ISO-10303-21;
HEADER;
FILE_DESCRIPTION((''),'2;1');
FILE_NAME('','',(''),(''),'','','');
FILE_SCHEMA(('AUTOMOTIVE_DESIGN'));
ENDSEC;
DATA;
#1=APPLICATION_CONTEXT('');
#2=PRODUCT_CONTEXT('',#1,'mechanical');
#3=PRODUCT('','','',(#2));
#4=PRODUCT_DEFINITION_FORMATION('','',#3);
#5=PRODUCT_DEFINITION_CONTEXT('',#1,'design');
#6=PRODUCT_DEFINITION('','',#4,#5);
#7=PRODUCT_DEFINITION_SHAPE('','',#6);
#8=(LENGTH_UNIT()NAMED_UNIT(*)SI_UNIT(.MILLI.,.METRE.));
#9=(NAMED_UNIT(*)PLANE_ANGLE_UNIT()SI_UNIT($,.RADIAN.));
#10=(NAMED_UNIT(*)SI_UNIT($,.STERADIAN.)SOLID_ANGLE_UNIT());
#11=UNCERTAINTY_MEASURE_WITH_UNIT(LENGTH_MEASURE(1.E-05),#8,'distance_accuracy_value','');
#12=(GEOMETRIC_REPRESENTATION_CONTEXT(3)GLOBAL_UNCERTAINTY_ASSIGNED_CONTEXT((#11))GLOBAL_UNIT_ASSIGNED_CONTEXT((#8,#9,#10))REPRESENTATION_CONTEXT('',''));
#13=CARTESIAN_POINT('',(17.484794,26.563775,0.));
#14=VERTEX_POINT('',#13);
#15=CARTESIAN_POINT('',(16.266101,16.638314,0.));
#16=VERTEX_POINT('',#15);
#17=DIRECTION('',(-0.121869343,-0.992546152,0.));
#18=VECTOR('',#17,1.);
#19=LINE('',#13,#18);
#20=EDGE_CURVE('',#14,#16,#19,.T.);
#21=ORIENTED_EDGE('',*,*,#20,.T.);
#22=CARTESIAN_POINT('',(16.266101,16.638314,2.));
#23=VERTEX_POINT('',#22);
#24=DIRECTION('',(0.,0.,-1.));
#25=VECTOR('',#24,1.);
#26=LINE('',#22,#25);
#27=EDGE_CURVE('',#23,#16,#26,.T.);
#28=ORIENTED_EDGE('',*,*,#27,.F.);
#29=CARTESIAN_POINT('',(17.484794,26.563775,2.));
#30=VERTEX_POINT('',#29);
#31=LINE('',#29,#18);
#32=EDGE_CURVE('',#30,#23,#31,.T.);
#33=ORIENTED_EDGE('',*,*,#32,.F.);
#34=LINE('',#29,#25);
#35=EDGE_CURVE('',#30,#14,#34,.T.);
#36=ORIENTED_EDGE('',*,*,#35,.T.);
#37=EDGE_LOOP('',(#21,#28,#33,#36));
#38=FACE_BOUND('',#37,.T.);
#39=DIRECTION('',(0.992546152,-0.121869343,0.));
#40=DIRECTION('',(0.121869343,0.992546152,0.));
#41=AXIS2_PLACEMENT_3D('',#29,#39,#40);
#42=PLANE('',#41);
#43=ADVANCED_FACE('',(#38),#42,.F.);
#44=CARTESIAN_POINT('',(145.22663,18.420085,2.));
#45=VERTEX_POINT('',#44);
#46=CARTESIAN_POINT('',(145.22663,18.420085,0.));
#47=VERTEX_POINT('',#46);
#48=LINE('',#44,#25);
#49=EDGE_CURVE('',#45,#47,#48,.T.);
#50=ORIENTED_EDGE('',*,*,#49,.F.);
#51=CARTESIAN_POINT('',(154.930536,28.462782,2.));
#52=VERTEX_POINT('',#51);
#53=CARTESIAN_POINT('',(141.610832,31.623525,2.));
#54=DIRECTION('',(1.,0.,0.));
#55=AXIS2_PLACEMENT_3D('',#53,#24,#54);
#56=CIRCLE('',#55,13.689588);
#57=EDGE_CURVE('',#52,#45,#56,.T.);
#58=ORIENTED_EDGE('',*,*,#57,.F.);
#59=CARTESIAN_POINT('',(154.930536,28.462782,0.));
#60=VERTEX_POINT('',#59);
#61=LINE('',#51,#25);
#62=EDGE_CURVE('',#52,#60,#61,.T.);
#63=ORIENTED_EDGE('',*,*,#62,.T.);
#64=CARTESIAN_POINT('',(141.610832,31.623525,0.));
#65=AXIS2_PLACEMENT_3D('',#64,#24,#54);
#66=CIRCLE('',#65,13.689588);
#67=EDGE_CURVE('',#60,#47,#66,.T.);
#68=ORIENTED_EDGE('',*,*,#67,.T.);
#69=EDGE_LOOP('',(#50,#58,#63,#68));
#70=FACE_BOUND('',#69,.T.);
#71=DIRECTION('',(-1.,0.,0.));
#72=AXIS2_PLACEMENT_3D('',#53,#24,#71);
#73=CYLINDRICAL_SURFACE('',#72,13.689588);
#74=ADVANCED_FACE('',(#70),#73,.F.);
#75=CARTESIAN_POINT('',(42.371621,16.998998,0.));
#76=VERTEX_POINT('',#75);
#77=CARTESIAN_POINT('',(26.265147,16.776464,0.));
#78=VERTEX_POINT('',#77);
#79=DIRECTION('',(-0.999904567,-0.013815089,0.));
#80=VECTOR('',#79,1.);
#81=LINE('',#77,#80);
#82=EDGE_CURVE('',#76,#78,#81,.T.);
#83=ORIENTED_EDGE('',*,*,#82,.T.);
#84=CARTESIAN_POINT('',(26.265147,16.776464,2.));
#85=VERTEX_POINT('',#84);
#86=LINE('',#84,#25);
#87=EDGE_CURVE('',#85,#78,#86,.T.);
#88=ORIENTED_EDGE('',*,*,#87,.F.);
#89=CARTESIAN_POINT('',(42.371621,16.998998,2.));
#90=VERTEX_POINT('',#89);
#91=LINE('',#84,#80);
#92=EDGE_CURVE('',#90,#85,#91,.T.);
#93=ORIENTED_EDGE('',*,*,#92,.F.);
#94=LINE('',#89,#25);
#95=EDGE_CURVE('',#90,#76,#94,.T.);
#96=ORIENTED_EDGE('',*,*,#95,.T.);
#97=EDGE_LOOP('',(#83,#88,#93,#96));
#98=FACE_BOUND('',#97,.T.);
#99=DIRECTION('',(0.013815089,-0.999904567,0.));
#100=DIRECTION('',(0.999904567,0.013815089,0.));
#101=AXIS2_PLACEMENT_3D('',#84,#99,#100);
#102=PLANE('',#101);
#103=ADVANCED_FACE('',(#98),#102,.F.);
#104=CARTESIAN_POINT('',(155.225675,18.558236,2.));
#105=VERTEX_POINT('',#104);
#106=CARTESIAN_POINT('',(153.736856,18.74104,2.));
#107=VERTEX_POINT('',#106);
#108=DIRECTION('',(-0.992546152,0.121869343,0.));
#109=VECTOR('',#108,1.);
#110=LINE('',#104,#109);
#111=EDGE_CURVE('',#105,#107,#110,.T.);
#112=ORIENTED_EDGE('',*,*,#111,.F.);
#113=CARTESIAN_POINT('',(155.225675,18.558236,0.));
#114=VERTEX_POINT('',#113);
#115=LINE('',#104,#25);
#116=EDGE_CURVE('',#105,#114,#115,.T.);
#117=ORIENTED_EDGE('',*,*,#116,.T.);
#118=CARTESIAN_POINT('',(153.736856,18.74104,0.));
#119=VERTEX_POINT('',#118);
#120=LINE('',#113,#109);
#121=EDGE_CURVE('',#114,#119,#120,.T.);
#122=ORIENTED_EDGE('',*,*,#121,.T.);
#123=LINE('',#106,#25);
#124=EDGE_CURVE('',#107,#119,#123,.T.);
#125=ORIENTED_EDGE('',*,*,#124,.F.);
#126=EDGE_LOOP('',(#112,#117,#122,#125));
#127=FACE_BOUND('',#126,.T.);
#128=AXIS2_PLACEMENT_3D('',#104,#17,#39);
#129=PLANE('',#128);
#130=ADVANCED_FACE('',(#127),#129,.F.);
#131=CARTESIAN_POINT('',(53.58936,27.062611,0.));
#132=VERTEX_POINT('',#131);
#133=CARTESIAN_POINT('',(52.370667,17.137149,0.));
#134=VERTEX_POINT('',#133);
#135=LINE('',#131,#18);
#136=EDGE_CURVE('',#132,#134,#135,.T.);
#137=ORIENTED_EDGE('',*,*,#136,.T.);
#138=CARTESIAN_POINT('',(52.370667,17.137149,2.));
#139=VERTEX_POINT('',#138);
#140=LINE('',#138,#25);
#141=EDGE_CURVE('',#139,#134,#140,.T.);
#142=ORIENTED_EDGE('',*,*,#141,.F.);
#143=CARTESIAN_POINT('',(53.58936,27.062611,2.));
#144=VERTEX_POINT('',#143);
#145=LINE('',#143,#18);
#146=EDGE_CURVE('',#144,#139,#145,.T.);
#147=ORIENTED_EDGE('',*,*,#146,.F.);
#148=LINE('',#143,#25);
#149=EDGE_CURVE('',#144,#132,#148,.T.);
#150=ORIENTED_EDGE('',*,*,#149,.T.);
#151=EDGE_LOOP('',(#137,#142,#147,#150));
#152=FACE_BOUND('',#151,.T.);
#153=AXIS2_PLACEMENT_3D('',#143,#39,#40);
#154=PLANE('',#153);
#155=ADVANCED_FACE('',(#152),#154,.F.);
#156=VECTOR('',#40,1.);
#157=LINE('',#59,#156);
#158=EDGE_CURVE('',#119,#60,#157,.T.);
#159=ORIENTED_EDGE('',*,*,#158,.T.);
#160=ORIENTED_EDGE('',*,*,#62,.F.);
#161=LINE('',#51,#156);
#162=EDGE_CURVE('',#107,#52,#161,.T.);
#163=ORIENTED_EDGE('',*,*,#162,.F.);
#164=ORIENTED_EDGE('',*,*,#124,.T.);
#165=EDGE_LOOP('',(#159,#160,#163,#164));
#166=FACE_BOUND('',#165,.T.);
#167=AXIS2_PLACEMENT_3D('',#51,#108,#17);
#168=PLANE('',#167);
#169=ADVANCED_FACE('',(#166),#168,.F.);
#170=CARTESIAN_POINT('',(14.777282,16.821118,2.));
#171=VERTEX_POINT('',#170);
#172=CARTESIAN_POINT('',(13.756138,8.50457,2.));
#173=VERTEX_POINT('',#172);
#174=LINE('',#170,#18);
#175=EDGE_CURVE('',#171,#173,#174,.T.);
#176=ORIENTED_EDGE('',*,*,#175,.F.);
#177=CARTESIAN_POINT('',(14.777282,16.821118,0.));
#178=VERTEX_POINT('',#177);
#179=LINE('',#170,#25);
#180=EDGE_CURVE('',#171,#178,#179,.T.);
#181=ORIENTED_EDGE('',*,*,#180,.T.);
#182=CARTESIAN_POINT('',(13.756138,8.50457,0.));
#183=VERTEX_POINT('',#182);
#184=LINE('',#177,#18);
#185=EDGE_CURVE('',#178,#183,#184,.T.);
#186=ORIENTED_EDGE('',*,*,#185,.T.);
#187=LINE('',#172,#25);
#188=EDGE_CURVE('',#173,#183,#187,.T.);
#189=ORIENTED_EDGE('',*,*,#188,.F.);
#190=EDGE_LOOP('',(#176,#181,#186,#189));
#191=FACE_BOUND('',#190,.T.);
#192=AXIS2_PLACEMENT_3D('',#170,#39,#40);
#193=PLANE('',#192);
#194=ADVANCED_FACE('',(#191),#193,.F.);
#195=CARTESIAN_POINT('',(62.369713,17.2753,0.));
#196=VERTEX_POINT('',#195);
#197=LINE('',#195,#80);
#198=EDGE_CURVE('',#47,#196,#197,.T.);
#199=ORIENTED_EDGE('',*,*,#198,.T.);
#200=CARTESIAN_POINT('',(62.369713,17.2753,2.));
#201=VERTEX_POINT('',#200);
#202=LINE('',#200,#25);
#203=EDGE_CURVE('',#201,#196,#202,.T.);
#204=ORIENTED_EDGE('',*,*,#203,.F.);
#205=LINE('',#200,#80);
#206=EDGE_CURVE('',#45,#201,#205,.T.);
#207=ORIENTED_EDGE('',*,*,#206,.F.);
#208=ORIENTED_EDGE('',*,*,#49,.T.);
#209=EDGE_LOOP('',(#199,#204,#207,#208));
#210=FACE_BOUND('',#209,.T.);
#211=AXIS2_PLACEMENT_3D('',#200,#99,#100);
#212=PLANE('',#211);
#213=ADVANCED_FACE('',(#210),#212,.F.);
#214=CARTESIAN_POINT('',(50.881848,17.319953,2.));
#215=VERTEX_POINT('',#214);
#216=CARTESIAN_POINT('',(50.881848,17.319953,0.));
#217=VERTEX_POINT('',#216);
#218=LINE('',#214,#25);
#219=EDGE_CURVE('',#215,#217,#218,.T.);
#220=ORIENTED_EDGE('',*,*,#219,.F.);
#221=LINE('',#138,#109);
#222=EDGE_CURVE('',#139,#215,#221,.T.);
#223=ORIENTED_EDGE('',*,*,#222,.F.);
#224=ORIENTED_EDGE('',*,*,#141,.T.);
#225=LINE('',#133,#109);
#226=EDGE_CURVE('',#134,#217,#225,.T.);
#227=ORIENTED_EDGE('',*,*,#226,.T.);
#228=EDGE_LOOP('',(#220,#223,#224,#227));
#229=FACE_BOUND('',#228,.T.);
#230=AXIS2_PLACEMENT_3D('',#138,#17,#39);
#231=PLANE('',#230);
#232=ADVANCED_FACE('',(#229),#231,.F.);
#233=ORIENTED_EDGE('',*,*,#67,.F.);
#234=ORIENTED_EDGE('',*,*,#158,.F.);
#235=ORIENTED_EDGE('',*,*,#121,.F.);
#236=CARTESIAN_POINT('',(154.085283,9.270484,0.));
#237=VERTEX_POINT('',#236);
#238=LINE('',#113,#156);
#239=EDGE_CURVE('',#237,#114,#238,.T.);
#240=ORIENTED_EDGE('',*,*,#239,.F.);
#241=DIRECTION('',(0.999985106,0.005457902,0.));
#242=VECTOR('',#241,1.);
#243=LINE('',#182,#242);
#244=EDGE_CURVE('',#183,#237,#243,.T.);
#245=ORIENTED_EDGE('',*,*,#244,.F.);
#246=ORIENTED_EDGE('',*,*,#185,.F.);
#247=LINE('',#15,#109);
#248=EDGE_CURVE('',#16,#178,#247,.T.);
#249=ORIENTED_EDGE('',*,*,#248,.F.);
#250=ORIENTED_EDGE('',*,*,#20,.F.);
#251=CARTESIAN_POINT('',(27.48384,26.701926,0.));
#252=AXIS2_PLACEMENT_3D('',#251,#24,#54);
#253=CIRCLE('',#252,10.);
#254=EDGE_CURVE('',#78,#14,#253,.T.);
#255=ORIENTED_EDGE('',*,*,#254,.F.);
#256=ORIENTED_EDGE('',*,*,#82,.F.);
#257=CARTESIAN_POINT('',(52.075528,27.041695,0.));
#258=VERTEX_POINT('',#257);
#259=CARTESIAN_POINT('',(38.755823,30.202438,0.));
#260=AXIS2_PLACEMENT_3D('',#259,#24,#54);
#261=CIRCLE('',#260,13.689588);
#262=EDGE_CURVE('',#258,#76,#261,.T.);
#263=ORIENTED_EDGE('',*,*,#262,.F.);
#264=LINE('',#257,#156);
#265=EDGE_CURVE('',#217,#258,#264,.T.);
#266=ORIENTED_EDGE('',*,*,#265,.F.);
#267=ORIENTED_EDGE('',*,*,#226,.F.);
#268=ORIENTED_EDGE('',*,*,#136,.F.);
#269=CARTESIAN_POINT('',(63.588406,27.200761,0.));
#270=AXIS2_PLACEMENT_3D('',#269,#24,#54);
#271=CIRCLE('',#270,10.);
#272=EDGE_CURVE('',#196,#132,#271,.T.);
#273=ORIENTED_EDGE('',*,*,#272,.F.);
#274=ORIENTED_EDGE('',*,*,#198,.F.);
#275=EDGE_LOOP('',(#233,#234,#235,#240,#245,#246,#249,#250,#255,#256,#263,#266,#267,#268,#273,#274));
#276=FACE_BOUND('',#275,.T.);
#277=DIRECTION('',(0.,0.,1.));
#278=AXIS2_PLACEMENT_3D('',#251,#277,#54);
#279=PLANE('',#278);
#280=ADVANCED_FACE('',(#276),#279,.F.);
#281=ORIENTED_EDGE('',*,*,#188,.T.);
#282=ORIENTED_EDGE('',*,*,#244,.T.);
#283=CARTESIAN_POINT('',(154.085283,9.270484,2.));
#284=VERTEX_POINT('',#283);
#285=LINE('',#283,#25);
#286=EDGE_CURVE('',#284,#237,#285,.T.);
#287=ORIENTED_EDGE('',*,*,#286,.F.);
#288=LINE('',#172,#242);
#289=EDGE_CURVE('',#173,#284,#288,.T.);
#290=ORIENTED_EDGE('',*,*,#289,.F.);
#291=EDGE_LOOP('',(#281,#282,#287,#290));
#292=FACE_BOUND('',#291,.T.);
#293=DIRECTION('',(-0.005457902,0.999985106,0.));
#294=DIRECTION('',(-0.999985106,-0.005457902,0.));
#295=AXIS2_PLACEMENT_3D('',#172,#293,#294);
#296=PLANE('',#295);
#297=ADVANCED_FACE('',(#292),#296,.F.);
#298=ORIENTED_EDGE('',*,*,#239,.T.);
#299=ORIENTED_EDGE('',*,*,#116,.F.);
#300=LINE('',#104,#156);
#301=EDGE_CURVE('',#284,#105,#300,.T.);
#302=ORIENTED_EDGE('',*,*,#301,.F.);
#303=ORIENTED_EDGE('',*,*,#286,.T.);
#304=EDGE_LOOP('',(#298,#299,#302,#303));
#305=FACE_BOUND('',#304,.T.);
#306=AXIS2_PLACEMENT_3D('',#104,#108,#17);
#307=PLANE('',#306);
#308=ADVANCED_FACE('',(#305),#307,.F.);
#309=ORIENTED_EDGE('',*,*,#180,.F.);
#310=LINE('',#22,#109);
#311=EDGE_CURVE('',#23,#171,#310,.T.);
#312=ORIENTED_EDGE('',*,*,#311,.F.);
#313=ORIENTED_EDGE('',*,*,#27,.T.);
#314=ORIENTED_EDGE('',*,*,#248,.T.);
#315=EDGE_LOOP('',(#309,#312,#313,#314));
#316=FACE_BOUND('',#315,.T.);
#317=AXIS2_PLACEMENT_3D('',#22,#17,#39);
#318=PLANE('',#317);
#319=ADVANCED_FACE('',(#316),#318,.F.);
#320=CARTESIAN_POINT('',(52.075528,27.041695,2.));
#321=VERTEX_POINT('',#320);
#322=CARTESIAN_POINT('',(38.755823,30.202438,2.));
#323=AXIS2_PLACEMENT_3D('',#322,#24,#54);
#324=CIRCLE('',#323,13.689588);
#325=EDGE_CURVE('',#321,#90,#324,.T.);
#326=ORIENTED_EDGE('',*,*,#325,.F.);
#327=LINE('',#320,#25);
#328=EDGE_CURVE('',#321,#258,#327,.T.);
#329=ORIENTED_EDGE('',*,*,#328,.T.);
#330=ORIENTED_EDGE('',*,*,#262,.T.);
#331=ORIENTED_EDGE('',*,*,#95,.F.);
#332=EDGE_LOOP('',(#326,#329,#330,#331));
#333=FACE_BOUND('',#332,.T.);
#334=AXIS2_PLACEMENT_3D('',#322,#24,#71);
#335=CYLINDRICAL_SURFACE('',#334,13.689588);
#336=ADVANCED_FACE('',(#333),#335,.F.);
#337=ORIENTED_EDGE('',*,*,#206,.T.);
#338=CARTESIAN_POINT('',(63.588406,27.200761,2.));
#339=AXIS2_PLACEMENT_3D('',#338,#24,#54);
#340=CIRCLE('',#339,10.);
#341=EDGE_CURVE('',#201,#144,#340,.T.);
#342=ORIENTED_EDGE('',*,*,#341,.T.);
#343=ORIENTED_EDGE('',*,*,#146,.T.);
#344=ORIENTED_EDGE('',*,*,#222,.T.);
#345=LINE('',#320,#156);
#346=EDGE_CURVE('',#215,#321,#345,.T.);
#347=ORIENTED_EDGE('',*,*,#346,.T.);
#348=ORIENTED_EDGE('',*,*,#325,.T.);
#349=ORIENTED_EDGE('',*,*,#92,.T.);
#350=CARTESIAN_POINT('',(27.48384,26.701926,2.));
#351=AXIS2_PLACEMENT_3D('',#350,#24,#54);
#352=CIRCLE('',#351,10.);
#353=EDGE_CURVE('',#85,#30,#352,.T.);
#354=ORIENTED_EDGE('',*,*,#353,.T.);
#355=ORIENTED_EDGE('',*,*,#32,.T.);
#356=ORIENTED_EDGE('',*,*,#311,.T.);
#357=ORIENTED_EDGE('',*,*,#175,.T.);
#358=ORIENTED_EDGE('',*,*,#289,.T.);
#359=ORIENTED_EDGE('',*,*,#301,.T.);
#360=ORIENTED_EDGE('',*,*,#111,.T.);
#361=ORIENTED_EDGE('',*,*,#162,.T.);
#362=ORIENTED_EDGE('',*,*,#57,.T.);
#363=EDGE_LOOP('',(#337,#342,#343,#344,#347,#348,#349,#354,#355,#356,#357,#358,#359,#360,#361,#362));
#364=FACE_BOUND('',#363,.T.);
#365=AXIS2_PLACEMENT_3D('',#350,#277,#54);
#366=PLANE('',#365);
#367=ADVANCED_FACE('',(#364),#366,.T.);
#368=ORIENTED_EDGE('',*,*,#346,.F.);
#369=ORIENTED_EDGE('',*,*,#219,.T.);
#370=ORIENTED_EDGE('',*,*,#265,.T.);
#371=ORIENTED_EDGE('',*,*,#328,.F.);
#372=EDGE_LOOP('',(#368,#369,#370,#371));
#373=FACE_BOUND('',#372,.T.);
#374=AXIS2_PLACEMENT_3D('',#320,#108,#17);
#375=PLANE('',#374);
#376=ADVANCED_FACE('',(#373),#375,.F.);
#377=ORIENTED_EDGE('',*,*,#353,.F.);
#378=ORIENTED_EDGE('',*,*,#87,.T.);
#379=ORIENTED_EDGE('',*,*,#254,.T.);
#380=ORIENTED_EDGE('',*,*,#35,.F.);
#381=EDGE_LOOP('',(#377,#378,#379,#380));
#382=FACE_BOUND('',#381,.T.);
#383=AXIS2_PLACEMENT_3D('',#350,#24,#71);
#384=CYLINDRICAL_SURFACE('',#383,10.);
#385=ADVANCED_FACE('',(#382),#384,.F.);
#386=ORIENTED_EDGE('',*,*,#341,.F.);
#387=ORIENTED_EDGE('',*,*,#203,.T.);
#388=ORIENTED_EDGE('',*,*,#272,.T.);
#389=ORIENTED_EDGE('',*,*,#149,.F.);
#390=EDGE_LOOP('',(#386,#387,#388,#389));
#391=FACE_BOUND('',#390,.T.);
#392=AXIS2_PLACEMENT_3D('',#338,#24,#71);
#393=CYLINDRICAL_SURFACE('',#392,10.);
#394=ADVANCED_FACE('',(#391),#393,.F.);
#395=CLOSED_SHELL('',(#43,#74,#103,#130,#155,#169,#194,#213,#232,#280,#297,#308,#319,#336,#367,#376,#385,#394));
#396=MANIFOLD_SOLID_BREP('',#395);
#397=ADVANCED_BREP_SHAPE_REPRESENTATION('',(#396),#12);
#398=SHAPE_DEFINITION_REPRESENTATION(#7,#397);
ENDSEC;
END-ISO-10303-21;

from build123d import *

# Parameters (mm, degrees)
EXTRUDE_1_DEPTH = 2


with BuildPart() as part:
    # Model → 凸台-拉伸1 (new body)
    with BuildSketch(Plane.XY):
        with BuildLine():
            Line((13.756138035, 8.504570041), (154.085282898, 9.270484114))
            Line((154.085282898, 9.270484114), (155.225675402, 18.558235729))
            Line((155.225675402, 18.558235729), (153.736856174, 18.741039745))
            Line((153.736856174, 18.741039745), (154.930535969, 28.462781514))
            ThreePointArc((154.930535969, 28.462781514), (151.455462166, 22.111002891), (145.226629731, 18.420084836))
            Line((145.226629731, 18.420084836), (62.369712658, 17.275299877))
            ThreePointArc((62.369712658, 17.275299877), (56.144799442, 20.522983318), (53.589360421, 27.062610501))
            Line((53.589360421, 27.062610501), (52.370666987, 17.137148984))
            Line((52.370666987, 17.137148984), (50.881847759, 17.319952999))
            Line((50.881847759, 17.319952999), (52.075527554, 27.041694768))
            ThreePointArc((52.075527554, 27.041694768), (48.600453751, 20.689916146), (42.371621316, 16.998998091))
            Line((42.371621316, 16.998998091), (26.265146572, 16.776464467))
            ThreePointArc((26.265146572, 16.776464467), (20.040233356, 20.024147907), (17.484794335, 26.56377509))
            Line((17.484794335, 26.56377509), (16.266100901, 16.638313574))
            Line((16.266100901, 16.638313574), (14.777281674, 16.821117589))
            Line((14.777281674, 16.821117589), (13.756138035, 8.504570041))
        make_face()
    extrude(amount=EXTRUDE_1_DEPTH)


solid = part.part
